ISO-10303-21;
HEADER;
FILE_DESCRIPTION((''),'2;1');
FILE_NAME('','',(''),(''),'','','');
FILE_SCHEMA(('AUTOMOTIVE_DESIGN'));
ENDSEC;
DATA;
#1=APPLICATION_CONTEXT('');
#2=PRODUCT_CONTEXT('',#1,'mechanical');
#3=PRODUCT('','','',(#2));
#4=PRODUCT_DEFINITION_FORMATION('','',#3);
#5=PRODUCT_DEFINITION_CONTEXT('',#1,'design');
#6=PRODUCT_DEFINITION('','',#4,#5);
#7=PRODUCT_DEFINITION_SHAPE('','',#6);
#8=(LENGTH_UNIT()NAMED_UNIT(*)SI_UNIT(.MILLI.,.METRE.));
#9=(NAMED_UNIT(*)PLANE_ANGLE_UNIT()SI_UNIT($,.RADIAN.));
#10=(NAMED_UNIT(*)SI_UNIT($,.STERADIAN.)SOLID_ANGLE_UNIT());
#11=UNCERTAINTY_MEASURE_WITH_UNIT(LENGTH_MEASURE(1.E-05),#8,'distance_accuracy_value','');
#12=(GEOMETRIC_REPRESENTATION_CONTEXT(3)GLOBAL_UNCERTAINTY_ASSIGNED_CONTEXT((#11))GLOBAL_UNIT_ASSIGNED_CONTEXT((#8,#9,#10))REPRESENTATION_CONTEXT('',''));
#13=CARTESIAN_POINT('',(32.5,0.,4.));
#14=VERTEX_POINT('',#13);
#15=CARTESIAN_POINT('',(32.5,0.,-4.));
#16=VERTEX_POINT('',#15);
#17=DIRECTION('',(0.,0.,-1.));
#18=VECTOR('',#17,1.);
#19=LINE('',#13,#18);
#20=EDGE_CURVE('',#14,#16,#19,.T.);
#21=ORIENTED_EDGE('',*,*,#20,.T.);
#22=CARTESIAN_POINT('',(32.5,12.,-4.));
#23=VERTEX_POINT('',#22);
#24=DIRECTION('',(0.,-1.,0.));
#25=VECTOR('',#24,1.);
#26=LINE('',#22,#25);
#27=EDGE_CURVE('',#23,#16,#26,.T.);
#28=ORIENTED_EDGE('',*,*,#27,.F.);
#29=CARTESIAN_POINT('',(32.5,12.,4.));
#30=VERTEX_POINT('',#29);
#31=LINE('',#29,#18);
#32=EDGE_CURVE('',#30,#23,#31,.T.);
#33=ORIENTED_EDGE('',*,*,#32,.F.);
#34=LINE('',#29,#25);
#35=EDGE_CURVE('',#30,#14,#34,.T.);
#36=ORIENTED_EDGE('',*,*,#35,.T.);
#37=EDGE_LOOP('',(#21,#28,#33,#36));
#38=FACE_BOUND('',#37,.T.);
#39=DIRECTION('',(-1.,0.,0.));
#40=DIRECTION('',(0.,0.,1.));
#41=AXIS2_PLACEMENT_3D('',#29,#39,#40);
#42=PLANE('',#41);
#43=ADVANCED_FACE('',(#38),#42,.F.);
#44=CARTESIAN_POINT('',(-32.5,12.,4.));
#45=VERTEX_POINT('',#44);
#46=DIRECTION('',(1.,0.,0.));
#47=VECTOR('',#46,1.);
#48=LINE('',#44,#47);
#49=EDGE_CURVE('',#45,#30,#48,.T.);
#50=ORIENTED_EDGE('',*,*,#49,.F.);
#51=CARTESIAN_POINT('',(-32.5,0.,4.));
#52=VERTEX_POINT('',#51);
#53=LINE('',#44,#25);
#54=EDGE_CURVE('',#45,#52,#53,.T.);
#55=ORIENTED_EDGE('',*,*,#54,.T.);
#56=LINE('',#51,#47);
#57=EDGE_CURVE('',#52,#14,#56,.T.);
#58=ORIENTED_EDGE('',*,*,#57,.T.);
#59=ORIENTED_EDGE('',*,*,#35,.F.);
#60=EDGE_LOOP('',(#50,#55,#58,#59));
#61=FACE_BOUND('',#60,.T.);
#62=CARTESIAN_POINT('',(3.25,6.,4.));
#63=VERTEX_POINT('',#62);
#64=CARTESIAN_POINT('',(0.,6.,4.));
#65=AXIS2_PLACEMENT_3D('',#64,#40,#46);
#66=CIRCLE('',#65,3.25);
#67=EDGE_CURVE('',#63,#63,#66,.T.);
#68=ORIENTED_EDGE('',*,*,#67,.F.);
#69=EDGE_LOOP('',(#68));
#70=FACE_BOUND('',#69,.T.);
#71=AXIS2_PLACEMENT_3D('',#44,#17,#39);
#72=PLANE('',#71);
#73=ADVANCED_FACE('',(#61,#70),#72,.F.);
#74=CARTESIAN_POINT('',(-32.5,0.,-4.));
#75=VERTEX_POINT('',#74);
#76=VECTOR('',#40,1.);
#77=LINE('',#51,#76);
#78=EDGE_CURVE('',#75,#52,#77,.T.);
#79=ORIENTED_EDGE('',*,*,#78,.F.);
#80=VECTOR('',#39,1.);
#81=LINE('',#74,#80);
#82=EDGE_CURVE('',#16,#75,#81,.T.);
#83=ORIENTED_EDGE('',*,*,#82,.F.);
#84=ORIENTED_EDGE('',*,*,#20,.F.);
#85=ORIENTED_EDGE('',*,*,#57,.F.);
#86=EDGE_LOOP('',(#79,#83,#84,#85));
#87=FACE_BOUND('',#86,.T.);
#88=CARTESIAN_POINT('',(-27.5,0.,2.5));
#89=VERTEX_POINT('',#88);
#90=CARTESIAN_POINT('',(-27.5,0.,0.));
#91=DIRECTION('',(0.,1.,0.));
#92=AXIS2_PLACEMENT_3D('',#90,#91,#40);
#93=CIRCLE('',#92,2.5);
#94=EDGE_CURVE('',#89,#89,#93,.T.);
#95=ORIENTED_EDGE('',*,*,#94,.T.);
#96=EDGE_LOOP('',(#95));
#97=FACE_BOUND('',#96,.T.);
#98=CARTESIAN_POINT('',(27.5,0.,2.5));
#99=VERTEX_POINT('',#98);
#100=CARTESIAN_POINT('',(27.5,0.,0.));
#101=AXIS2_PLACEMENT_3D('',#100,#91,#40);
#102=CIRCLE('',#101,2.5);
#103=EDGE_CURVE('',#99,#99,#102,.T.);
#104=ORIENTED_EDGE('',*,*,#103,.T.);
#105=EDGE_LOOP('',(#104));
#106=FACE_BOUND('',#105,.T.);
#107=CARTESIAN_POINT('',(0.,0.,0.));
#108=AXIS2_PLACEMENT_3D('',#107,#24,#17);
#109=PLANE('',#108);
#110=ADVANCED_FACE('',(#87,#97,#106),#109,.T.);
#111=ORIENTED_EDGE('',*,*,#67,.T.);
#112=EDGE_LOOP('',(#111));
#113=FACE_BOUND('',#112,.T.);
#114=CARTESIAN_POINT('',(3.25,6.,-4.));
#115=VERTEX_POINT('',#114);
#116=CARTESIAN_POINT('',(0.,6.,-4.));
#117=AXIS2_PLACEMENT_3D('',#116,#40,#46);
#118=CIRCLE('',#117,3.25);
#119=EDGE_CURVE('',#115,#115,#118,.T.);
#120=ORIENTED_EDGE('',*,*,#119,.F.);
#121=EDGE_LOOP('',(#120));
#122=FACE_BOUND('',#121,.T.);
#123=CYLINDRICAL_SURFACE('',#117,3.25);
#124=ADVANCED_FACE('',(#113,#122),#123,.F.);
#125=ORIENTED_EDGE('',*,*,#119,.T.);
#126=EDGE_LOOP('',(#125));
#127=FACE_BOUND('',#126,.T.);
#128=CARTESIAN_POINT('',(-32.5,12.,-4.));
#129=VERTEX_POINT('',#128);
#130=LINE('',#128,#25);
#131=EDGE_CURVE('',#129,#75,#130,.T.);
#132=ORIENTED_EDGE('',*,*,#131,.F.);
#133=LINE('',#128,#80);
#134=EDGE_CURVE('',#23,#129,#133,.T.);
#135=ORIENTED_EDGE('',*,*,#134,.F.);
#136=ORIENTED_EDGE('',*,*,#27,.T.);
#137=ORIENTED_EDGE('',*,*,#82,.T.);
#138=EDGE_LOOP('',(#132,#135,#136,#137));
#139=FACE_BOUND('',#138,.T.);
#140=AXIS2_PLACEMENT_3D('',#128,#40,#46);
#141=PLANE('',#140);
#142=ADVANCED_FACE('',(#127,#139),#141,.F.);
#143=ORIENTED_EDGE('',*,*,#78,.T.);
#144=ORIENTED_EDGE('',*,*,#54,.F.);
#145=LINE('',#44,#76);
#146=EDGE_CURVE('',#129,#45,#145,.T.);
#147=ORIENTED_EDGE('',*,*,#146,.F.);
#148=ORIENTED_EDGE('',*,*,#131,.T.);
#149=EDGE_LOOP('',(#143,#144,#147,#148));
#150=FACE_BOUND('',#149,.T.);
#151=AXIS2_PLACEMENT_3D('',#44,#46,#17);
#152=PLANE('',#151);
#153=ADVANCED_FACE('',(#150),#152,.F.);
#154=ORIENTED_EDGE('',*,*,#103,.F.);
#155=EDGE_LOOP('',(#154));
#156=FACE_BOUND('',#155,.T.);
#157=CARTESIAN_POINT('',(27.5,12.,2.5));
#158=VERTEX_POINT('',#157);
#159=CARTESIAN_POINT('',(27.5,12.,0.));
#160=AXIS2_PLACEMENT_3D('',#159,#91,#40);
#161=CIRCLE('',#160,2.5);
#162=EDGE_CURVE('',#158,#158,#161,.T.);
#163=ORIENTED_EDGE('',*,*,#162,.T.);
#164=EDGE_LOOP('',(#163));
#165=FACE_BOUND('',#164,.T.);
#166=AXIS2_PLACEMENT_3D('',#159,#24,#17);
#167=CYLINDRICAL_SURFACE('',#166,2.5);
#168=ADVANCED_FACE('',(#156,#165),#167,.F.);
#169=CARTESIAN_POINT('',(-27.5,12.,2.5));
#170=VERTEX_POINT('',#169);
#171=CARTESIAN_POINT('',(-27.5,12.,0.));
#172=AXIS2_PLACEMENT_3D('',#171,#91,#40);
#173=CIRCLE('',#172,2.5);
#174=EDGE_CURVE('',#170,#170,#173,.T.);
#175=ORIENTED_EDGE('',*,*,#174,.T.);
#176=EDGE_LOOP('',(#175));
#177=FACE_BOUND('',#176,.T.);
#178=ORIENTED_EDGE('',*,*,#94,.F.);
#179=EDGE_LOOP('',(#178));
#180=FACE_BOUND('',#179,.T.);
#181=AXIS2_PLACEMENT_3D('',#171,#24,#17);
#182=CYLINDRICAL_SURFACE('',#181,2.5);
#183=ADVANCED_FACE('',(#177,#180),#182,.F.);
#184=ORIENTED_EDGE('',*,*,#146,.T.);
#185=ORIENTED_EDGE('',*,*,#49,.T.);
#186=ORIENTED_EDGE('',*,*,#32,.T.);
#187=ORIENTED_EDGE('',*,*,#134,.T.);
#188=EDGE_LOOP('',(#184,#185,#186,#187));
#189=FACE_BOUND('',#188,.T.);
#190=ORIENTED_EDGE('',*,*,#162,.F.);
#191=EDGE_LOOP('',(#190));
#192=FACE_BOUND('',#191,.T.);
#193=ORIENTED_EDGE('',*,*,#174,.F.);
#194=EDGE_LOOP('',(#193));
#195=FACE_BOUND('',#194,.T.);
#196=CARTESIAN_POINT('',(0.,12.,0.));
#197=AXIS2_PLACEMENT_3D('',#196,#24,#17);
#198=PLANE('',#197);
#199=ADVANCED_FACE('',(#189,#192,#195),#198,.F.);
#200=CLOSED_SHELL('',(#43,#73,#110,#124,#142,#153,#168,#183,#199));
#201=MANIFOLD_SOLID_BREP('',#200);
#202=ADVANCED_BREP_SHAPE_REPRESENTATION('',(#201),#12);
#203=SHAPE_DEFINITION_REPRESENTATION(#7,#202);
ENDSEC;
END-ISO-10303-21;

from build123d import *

# Parameters (mm, degrees)
SKETCH2_W           = 65
SKETCH2_H           = 8
SKETCH2_R           = 2.5
BOSS_EXTRUDE1_DEPTH = 12
SKETCH3_R           = 3.25
CUT_EXTRUDE1_DEPTH  = 9


with BuildPart() as part:
    # Sketch2 → Boss-Extrude1 (new body)
    with BuildSketch(Plane(origin=(0, 0, 0), x_dir=(1, 0, 0), z_dir=(0, 1, 0))):
        Rectangle(SKETCH2_W, SKETCH2_H)
        with Locations((-27.5, 0)):
            Circle(SKETCH2_R, mode=Mode.SUBTRACT)
        with Locations((27.5, 0)):
            Circle(SKETCH2_R, mode=Mode.SUBTRACT)
    extrude(amount=BOSS_EXTRUDE1_DEPTH)

    # Sketch3 → Cut-Extrude1 (cut, through all)
    with BuildSketch(Plane.XY.offset(4)):
        with Locations((0, 6)):
            Circle(SKETCH3_R)
    extrude(amount=-CUT_EXTRUDE1_DEPTH, mode=Mode.SUBTRACT)


solid = part.part
